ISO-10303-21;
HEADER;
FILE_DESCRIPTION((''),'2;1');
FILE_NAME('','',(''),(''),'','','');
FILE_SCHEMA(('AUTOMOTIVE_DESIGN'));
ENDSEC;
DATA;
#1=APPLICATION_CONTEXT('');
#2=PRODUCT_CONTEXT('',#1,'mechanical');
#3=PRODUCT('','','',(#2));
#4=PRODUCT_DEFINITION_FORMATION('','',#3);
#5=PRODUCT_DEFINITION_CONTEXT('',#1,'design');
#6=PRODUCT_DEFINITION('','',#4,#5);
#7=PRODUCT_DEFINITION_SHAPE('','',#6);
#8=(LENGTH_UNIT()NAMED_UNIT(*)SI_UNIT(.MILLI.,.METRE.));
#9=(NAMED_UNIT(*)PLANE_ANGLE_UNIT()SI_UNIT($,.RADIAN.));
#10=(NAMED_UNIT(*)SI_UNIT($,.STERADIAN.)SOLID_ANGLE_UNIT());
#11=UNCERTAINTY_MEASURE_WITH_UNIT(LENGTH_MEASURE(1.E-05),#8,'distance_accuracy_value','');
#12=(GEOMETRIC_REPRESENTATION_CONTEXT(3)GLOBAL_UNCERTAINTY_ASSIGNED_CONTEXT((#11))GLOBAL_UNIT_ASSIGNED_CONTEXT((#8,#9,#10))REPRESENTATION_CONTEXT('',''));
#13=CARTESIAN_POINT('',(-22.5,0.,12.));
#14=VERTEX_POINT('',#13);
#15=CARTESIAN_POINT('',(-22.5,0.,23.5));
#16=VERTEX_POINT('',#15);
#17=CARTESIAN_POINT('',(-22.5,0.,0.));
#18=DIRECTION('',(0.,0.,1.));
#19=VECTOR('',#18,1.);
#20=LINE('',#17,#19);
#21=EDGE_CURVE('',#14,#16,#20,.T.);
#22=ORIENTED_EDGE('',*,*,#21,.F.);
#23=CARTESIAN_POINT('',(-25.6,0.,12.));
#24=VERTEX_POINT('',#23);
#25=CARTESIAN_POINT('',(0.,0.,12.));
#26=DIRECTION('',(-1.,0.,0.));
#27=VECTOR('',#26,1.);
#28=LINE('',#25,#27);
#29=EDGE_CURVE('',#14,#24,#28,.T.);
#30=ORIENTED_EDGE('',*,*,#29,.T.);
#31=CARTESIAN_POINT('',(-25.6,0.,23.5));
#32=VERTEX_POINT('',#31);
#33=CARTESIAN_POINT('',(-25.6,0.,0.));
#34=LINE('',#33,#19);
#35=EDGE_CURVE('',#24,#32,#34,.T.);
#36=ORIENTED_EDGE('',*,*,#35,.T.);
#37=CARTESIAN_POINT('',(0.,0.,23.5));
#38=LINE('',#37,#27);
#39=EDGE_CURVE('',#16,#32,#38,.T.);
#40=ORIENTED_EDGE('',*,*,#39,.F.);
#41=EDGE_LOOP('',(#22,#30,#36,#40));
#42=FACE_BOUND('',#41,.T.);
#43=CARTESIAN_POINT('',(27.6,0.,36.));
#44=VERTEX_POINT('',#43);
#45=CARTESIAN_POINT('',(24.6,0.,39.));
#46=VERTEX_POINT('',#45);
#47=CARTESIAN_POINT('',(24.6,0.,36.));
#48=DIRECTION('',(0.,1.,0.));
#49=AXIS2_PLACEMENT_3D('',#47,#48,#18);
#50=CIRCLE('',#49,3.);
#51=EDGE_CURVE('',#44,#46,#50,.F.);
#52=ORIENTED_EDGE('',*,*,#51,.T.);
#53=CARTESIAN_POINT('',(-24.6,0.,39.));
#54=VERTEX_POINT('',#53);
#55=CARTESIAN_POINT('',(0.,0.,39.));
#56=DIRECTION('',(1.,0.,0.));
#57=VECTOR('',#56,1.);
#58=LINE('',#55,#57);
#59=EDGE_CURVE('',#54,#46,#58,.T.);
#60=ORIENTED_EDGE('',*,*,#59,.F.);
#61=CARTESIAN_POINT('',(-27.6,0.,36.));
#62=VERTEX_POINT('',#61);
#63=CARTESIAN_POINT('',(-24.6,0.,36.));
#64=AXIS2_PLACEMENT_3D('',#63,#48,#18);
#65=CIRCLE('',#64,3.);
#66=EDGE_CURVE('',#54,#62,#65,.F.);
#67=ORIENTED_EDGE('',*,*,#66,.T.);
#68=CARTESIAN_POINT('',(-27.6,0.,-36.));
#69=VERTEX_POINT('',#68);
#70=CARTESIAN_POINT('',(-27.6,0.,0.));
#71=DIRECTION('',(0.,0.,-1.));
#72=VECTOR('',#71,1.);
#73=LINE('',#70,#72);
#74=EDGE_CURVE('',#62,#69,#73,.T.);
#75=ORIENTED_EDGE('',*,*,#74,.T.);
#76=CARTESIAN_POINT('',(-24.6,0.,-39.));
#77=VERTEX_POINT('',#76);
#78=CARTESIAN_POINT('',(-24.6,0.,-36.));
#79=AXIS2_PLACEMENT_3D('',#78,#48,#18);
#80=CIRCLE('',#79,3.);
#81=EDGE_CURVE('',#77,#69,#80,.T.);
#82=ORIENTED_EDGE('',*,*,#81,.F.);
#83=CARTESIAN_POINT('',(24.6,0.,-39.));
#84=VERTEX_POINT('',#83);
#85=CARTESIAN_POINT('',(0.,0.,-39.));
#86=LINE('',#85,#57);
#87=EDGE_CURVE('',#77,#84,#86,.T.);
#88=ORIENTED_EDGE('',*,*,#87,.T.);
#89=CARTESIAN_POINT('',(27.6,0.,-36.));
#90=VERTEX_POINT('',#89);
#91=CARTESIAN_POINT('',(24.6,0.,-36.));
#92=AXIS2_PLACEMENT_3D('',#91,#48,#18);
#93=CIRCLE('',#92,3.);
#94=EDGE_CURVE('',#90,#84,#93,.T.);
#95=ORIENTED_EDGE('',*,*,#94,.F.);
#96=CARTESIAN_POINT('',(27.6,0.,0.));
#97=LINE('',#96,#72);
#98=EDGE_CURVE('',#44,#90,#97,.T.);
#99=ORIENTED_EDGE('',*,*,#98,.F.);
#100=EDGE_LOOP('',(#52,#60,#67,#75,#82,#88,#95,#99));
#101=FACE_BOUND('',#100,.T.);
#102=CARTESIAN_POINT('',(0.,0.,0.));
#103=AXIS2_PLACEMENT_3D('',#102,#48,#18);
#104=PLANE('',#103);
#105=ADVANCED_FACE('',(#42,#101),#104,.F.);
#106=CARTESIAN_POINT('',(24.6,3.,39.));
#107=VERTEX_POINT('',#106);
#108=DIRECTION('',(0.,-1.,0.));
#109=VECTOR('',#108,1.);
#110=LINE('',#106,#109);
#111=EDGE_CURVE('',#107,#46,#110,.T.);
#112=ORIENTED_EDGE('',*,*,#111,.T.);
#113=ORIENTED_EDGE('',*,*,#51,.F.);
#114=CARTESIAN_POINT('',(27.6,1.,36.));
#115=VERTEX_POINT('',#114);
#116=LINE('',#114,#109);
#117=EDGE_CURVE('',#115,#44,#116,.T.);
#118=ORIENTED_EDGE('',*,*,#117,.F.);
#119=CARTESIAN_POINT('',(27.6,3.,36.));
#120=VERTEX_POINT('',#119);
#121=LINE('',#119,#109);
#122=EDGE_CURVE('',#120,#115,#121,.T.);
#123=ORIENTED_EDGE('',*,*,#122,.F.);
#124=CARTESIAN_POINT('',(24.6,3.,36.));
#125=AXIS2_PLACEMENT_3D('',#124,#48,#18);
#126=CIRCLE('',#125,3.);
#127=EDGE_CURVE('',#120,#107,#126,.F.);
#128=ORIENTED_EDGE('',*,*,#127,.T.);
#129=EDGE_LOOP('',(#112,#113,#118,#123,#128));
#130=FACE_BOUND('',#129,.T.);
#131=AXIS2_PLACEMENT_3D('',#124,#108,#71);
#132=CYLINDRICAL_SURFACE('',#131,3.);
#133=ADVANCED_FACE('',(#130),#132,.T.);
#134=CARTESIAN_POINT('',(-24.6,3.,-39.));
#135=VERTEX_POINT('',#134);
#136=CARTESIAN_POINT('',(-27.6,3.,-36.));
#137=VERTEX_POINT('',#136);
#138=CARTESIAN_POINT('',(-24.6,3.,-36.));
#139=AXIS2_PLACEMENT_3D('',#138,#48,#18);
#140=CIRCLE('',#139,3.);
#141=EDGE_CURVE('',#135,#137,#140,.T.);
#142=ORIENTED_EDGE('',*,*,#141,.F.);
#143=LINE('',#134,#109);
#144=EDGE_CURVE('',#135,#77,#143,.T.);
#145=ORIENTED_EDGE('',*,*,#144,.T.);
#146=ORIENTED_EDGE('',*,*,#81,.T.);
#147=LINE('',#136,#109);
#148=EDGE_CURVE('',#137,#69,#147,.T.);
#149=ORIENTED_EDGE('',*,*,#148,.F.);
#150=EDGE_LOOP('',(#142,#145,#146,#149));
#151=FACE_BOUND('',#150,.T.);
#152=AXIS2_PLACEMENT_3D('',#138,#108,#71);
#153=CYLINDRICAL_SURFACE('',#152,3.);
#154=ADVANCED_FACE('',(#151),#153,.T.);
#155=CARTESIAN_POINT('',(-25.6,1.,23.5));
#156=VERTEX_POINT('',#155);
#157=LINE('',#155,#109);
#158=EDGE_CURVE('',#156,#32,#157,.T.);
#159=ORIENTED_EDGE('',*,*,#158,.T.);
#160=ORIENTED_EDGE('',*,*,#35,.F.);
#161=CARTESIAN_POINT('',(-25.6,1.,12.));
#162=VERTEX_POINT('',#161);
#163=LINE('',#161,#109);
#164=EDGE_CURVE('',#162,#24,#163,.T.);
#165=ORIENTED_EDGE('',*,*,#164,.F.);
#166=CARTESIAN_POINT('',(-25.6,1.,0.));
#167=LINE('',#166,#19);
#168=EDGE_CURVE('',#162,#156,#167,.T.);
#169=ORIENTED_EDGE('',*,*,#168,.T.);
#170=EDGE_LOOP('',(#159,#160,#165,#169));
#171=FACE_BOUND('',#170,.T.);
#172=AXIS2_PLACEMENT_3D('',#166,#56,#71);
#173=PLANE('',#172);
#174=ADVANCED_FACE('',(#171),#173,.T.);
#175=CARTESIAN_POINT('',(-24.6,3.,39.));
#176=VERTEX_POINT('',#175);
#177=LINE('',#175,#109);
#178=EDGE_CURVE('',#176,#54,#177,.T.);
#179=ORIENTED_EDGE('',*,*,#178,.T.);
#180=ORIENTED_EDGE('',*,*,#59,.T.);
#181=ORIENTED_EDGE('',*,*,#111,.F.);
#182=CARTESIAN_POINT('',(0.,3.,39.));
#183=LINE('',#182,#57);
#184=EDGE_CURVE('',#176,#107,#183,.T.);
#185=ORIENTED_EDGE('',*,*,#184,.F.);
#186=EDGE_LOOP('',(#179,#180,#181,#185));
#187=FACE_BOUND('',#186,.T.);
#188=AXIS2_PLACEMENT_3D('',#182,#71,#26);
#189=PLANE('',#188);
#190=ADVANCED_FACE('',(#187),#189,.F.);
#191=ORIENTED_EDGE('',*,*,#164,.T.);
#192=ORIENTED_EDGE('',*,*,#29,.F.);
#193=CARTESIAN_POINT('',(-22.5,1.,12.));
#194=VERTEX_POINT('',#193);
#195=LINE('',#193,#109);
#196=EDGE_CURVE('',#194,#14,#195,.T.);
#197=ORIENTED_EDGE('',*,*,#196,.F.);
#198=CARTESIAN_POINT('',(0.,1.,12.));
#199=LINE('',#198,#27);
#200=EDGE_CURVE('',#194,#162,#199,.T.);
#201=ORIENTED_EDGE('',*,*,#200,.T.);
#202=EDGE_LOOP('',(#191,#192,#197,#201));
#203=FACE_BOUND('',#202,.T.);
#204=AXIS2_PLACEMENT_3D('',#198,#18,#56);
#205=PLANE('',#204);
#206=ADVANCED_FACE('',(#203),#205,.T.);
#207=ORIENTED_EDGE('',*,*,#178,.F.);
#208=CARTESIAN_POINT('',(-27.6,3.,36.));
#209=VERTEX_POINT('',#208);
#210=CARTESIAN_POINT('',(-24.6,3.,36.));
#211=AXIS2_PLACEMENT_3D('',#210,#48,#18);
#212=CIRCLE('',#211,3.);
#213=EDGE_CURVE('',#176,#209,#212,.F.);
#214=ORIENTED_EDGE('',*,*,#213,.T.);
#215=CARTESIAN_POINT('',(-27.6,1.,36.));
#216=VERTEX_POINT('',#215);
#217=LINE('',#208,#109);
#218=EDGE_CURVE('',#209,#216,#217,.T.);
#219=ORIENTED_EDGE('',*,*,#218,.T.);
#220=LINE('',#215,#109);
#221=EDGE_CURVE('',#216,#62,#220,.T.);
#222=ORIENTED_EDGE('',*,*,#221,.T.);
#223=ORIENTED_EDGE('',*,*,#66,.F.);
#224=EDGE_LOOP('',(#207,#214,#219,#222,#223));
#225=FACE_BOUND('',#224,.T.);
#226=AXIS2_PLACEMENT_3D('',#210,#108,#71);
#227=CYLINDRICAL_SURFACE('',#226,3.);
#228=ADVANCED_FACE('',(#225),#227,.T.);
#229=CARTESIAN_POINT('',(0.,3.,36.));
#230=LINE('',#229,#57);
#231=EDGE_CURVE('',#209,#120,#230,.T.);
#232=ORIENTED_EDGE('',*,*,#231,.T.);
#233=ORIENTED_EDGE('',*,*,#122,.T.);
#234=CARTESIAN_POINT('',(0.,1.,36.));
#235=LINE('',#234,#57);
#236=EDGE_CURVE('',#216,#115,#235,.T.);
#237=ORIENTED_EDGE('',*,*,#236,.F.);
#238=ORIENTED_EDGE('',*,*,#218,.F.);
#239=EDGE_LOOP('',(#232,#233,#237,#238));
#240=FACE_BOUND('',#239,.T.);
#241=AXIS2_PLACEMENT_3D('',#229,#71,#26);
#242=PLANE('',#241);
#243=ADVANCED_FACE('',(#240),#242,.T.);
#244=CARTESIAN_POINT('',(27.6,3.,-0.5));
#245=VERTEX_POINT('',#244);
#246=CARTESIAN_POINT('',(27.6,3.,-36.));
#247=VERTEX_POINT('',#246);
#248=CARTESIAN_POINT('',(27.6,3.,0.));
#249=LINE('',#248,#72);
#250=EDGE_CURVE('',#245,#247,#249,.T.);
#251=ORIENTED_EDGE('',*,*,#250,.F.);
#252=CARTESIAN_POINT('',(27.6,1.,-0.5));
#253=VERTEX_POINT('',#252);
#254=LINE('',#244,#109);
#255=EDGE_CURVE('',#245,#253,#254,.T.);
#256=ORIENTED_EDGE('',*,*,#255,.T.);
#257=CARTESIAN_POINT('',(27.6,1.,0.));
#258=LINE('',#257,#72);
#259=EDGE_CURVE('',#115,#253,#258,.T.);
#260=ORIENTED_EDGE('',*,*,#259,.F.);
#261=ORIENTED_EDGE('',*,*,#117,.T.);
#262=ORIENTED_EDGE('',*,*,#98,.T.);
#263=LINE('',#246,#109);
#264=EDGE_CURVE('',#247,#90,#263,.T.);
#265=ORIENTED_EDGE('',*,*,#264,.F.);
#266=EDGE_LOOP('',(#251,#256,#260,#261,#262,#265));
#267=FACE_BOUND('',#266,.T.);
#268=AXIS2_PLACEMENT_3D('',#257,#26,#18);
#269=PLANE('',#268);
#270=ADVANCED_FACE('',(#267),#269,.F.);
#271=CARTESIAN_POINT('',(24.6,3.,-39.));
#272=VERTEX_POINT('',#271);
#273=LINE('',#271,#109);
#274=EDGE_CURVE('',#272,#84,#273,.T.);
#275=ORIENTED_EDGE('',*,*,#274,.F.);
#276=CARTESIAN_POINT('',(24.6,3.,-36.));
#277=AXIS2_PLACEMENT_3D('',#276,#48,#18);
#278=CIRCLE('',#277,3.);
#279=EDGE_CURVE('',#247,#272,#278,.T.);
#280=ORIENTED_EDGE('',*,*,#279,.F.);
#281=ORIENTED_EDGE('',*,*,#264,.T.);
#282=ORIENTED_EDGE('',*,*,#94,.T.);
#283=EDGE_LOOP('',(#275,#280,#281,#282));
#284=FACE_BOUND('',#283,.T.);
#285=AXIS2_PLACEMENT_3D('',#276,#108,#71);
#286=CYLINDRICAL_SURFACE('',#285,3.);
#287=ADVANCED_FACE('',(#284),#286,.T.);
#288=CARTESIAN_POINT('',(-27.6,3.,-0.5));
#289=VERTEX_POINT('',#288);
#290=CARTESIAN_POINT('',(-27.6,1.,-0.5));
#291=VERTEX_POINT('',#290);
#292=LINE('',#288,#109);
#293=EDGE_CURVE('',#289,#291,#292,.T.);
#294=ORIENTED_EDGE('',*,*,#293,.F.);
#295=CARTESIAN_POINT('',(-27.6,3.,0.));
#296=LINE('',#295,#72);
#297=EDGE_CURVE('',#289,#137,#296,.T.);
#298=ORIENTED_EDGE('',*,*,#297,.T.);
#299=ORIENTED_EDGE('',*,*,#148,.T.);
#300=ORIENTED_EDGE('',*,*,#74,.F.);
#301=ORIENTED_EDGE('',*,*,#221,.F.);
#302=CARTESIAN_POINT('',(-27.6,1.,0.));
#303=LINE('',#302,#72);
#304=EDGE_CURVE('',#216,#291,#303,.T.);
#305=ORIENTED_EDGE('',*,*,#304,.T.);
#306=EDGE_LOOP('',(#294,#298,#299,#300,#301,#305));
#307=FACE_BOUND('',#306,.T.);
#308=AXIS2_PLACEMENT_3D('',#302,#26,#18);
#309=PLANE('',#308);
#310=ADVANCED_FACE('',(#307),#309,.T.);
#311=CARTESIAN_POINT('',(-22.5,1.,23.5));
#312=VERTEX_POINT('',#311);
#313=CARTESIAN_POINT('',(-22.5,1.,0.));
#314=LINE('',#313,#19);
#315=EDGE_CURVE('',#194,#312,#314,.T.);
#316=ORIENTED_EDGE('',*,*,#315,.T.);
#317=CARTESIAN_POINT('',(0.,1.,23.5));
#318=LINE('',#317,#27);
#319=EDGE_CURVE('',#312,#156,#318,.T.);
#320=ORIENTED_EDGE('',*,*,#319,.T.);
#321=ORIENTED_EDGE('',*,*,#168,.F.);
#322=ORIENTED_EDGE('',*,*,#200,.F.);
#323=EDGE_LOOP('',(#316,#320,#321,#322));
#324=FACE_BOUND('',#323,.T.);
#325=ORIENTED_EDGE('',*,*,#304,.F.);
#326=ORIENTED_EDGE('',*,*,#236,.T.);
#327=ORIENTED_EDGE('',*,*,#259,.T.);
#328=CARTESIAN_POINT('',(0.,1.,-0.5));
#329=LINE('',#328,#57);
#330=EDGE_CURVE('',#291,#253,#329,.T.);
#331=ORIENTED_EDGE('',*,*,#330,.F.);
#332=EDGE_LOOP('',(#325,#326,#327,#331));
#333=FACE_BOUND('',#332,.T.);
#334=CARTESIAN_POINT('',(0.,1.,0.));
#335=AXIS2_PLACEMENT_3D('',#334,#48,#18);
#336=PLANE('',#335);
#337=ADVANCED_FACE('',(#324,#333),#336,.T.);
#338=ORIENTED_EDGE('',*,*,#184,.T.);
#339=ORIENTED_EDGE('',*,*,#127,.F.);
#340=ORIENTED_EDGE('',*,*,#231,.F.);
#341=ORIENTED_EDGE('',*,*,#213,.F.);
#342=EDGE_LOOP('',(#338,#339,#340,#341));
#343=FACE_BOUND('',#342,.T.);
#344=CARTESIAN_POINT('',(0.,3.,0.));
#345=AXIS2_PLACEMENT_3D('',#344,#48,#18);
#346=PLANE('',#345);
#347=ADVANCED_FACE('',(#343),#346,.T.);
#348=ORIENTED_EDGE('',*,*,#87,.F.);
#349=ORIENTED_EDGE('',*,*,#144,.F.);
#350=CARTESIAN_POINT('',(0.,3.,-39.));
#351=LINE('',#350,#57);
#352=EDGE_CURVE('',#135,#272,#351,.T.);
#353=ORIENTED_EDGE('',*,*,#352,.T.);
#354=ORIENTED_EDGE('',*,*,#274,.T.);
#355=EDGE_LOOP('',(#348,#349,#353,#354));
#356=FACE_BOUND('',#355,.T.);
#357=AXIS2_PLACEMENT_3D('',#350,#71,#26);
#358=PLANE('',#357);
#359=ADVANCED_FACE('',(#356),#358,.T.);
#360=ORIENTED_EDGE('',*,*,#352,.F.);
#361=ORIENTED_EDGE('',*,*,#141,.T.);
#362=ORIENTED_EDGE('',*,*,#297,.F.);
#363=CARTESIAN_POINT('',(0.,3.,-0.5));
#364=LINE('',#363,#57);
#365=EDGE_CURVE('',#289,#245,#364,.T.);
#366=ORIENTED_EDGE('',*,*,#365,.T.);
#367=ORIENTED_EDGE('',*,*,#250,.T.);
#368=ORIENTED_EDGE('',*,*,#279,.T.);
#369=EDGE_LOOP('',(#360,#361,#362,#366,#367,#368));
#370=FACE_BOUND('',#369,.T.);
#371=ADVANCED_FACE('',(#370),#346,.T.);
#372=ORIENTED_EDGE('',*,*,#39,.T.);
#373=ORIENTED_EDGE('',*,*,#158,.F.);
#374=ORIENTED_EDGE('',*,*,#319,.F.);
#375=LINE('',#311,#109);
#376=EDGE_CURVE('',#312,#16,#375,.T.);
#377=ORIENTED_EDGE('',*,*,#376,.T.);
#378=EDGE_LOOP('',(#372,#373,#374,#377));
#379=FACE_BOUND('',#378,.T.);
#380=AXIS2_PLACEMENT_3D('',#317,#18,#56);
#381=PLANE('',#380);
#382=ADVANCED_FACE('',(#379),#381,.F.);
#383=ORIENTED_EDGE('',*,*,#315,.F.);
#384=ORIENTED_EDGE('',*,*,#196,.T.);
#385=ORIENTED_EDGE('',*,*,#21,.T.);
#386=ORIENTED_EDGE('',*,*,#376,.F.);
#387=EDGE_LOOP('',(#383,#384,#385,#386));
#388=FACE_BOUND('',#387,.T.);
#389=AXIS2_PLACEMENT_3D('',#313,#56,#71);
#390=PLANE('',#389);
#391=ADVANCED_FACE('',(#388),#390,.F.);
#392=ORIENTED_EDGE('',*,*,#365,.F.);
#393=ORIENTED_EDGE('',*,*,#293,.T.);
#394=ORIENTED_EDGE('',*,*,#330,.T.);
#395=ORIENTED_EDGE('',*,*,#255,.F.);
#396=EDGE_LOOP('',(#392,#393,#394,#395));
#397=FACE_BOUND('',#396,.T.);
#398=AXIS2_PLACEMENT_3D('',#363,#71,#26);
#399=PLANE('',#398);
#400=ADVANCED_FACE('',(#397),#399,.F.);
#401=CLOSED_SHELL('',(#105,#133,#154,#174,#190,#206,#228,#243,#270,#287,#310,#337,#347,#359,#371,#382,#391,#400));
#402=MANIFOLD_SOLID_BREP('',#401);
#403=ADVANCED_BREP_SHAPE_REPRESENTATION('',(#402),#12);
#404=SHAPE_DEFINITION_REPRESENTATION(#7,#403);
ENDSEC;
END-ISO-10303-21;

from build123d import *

# Parameters (mm, degrees)
BOSS_EXTRUDE1_DEPTH   = 3
BOSS_EXTRUDE1_2_DEPTH = 3
SKETCH1_5_W           = 55.2
SKETCH1_5_H           = 36.5
SKETCH1_5_W_2         = 3.1
SKETCH1_5_H_2         = 11.5
BOSS_EXTRUDE2_DEPTH   = 1


with BuildPart() as part:
    # Sketch1 → Boss-Extrude1 (new body)
    with BuildSketch(Plane(origin=(0, 0, 0), x_dir=(1, 0, 0), z_dir=(0, 1, 0))):
        with BuildLine():
            ThreePointArc((-27.6, -36), (-26.721320344, -38.121320344), (-24.6, -39))
            Line((-24.6, -39), (24.6, -39))
            ThreePointArc((24.6, -39), (26.721320344, -38.121320344), (27.6, -36))
            Line((27.6, -36), (-27.6, -36))
        make_face()
    extrude(amount=BOSS_EXTRUDE1_DEPTH)



with BuildPart() as body_2:
    # Sketch1 → Boss-Extrude1 2 (new body)
    with BuildSketch(Plane(origin=(0, 0, 0), x_dir=(1, 0, 0), z_dir=(0, 1, 0))):
        with BuildLine():
            Line((-27.6, 36), (-27.6, 0.5))
            Line((-27.6, 0.5), (27.6, 0.5))
            Line((27.6, 0.5), (27.6, 36))
            ThreePointArc((27.6, 36), (26.721320344, 38.121320344), (24.6, 39))
            Line((24.6, 39), (-24.6, 39))
            ThreePointArc((-24.6, 39), (-26.721320344, 38.121320344), (-27.6, 36))
        make_face()
    extrude(amount=BOSS_EXTRUDE1_2_DEPTH)


with BuildPart() as part_1:
    add(part.part)

    add(body_2.part)  # Boss-Extrude2 merges body 2
    # Sketch1<5> → Boss-Extrude2 (add)
    with BuildSketch(Plane(origin=(0, 0, 0), x_dir=(1, 0, 0), z_dir=(0, 1, 0))):
        with Locations((0, -17.75)):
            Rectangle(SKETCH1_5_W, SKETCH1_5_H)
        with Locations((-24.05, -17.75)):
            Rectangle(SKETCH1_5_W_2, SKETCH1_5_H_2, mode=Mode.SUBTRACT)
    extrude(amount=BOSS_EXTRUDE2_DEPTH)


solid = part_1.part
